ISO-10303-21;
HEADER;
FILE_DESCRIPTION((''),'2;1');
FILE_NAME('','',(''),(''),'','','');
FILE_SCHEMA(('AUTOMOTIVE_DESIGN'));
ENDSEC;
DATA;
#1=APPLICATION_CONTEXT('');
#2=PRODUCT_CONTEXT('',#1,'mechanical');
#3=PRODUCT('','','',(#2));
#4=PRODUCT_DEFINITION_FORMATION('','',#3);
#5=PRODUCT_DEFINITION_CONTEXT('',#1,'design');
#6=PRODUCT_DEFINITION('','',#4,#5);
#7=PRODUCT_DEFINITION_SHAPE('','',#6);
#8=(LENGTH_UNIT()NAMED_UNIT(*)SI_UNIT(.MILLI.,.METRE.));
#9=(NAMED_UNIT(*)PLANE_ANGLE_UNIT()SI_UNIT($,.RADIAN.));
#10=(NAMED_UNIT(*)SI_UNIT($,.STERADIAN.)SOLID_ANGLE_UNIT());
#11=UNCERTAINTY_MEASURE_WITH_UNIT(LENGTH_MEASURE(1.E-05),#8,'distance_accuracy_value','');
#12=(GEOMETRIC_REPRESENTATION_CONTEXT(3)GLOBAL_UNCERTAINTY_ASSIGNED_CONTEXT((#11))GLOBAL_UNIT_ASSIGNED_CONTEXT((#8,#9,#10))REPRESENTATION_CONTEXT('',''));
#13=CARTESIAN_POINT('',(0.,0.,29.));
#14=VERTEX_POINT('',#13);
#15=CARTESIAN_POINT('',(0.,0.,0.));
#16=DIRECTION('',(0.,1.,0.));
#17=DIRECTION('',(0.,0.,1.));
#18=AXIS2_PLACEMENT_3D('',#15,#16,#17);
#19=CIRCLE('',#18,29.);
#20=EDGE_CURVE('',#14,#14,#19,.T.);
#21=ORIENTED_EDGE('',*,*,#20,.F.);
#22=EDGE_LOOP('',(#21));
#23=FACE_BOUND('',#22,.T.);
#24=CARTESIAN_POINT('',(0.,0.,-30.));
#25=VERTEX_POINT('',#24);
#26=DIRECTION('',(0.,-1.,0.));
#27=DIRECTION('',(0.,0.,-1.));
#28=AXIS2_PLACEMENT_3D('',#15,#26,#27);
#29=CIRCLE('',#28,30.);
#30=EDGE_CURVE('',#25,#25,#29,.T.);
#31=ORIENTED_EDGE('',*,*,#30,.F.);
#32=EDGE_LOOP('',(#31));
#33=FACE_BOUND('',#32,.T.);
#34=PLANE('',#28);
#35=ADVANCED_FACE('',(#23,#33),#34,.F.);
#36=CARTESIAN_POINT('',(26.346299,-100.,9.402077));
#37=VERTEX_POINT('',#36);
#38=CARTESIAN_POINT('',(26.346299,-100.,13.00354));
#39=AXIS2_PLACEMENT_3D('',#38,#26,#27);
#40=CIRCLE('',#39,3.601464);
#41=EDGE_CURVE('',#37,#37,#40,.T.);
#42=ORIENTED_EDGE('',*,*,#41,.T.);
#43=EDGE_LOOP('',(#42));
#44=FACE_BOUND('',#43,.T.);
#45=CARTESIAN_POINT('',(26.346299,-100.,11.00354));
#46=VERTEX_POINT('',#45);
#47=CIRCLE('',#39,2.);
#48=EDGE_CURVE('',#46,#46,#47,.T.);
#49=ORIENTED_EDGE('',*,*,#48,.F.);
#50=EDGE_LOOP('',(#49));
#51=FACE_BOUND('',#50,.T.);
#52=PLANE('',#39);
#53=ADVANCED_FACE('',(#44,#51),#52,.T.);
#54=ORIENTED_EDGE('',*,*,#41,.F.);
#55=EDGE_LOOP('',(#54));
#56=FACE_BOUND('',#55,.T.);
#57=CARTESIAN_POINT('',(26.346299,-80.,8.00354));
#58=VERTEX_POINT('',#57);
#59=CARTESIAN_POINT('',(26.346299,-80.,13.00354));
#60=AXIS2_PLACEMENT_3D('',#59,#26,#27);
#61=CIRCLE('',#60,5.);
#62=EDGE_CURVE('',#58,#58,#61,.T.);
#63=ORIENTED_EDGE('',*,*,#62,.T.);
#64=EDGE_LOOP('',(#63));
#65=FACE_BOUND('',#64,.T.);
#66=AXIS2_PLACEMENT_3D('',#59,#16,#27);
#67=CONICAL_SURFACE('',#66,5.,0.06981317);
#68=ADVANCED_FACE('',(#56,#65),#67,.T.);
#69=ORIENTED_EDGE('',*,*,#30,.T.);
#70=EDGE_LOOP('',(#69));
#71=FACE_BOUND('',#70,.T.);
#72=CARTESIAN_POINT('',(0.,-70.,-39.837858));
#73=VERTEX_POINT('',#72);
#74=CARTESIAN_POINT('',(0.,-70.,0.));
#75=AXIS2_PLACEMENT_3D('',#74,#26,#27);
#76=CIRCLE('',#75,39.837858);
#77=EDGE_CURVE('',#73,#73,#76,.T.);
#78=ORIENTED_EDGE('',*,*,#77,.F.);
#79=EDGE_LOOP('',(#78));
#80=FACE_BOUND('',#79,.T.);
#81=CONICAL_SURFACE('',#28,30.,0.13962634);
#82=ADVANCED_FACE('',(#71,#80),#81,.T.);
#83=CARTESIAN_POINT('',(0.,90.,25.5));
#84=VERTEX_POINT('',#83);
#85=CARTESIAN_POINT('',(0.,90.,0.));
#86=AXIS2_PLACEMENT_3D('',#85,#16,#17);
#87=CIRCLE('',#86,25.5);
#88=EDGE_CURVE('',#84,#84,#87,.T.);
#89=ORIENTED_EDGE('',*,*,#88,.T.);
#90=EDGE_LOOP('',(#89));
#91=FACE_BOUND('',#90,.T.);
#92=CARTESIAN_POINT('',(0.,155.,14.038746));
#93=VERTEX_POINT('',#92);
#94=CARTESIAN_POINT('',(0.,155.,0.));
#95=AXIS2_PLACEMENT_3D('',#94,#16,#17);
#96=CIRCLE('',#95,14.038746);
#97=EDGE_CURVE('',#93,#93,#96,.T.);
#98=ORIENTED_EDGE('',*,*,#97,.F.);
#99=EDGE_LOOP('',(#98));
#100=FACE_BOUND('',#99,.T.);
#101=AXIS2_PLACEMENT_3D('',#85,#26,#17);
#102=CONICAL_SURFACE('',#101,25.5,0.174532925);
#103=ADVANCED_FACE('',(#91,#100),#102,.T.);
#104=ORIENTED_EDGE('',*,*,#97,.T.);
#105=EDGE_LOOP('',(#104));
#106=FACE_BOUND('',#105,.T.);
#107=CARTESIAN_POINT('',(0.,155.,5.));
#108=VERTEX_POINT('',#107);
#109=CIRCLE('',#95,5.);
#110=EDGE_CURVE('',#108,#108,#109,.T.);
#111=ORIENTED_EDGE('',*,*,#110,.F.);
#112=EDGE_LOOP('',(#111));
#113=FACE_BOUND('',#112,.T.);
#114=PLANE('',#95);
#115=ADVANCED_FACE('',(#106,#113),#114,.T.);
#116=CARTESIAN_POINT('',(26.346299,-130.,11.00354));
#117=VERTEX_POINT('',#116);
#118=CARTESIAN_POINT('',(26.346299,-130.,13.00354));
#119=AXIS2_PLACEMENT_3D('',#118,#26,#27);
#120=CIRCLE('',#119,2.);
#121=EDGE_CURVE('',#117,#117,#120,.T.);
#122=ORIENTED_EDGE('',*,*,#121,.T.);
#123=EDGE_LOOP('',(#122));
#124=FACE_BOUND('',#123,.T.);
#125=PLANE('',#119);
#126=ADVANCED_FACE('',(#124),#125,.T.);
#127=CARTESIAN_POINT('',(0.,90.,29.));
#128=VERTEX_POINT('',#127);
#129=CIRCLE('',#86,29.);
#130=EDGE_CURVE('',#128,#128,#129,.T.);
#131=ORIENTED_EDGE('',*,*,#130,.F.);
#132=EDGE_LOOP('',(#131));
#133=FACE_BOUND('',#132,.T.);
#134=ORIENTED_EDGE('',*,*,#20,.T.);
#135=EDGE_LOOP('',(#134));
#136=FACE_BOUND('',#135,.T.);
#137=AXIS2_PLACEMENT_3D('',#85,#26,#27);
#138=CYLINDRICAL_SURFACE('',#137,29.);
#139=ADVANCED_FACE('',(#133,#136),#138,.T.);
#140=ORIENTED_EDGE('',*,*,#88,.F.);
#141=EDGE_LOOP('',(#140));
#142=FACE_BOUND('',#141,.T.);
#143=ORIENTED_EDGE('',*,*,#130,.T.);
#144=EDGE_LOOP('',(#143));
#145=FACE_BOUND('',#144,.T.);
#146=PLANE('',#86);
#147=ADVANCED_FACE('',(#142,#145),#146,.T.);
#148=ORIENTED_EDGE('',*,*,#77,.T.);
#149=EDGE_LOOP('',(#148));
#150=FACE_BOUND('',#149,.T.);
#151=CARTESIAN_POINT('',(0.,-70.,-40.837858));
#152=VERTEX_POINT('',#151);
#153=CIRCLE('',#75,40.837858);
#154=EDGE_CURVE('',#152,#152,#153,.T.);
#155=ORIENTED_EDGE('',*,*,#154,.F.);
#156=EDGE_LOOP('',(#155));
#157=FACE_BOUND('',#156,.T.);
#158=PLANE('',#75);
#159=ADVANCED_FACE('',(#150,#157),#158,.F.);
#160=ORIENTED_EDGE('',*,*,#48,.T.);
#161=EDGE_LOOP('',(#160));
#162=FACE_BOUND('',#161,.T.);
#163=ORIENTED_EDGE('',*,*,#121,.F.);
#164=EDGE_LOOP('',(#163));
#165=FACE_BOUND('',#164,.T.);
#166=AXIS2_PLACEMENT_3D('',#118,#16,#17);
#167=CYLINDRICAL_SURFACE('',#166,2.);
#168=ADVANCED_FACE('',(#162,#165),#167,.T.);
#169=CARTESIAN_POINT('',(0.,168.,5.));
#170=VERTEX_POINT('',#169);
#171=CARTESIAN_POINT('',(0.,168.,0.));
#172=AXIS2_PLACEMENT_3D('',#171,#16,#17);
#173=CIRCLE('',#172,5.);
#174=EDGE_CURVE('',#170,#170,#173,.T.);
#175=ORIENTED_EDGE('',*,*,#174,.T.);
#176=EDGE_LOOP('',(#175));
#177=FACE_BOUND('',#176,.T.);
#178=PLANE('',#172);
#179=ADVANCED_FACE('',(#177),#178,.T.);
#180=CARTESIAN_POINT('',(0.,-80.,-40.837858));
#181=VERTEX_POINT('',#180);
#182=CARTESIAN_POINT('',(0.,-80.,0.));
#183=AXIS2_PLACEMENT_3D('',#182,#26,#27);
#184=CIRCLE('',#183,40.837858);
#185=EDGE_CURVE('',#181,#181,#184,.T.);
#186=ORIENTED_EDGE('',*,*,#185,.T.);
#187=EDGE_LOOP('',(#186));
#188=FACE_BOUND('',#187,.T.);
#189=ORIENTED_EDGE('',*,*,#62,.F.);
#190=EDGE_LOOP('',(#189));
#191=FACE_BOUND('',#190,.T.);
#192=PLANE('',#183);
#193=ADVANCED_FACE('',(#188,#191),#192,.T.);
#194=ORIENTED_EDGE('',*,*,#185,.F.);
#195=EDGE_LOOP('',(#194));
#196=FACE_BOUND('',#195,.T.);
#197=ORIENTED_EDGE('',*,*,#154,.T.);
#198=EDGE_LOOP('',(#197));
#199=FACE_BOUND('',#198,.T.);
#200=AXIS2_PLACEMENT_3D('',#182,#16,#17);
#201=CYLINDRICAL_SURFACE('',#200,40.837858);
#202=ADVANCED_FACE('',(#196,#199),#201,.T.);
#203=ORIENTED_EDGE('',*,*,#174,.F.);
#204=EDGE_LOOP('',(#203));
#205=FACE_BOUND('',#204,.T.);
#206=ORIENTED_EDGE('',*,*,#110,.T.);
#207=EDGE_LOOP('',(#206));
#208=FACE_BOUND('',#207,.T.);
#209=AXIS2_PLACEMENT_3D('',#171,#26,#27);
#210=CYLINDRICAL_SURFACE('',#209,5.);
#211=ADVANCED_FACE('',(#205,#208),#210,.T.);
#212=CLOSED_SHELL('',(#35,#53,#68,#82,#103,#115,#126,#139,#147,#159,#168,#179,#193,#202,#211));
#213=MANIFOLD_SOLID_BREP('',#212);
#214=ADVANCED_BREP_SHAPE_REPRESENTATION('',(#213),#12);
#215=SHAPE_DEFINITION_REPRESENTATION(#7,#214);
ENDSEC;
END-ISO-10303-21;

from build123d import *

# Parameters (mm, degrees)
SKETCH1_R           = 29
BOSS_EXTRUDE1_DEPTH = 90
SKETCH2_R           = 25.5
BOSS_EXTRUDE3_DEPTH = 65
BOSS_EXTRUDE3_TAPER = 10
SKETCH4_R           = 5
BOSS_EXTRUDE4_DEPTH = 13
SKETCH10_R          = 30
BOSS_EXTRUDE5_DEPTH = 70
BOSS_EXTRUDE5_TAPER = -8
SKETCH11_R          = 40.837858429
BOSS_EXTRUDE6_DEPTH = 10
SKETCH12_R          = 5
BOSS_EXTRUDE7_DEPTH = 20
BOSS_EXTRUDE7_TAPER = 4
SKETCH14_R          = 2
BOSS_EXTRUDE8_DEPTH = 30


with BuildPart() as part:
    # Sketch1 → Boss-Extrude1 (new body)
    with BuildSketch(Plane(origin=(0, 0, 0), x_dir=(1, 0, 0), z_dir=(0, 1, 0))):
        Circle(SKETCH1_R)
    extrude(amount=BOSS_EXTRUDE1_DEPTH)

    # Sketch2 → Boss-Extrude3 (add)
    with BuildSketch(Plane(origin=(0, 90, 0), x_dir=(1, 0, 0), z_dir=(0, 1, 0))):
        Circle(SKETCH2_R)
    extrude(amount=BOSS_EXTRUDE3_DEPTH, taper=BOSS_EXTRUDE3_TAPER)

    # Sketch4 → Boss-Extrude4 (add)
    with BuildSketch(Plane(origin=(0, 155, 0), x_dir=(1, 0, 0), z_dir=(0, 1, 0))):
        Circle(SKETCH4_R)
    extrude(amount=BOSS_EXTRUDE4_DEPTH)

    # Sketch10 → Boss-Extrude5 (add)
    with BuildSketch(Plane.XZ):
        Circle(SKETCH10_R)
    extrude(amount=BOSS_EXTRUDE5_DEPTH, taper=BOSS_EXTRUDE5_TAPER)

    # Sketch11 → Boss-Extrude6 (add)
    with BuildSketch(Plane.XZ.offset(70)):
        Circle(SKETCH11_R)
    extrude(amount=BOSS_EXTRUDE6_DEPTH)

    # Sketch12 → Boss-Extrude7 (add)
    with BuildSketch(Plane.XZ.offset(80)):
        with Locations((26.346299314, 13.003540379)):
            Circle(SKETCH12_R)
    extrude(amount=BOSS_EXTRUDE7_DEPTH, taper=BOSS_EXTRUDE7_TAPER)

    # Sketch14 → Boss-Extrude8 (add)
    with BuildSketch(Plane.XZ.offset(100)):
        with Locations((26.346299314, 13.003540379)):
            Circle(SKETCH14_R)
    extrude(amount=BOSS_EXTRUDE8_DEPTH)


solid = part.part
